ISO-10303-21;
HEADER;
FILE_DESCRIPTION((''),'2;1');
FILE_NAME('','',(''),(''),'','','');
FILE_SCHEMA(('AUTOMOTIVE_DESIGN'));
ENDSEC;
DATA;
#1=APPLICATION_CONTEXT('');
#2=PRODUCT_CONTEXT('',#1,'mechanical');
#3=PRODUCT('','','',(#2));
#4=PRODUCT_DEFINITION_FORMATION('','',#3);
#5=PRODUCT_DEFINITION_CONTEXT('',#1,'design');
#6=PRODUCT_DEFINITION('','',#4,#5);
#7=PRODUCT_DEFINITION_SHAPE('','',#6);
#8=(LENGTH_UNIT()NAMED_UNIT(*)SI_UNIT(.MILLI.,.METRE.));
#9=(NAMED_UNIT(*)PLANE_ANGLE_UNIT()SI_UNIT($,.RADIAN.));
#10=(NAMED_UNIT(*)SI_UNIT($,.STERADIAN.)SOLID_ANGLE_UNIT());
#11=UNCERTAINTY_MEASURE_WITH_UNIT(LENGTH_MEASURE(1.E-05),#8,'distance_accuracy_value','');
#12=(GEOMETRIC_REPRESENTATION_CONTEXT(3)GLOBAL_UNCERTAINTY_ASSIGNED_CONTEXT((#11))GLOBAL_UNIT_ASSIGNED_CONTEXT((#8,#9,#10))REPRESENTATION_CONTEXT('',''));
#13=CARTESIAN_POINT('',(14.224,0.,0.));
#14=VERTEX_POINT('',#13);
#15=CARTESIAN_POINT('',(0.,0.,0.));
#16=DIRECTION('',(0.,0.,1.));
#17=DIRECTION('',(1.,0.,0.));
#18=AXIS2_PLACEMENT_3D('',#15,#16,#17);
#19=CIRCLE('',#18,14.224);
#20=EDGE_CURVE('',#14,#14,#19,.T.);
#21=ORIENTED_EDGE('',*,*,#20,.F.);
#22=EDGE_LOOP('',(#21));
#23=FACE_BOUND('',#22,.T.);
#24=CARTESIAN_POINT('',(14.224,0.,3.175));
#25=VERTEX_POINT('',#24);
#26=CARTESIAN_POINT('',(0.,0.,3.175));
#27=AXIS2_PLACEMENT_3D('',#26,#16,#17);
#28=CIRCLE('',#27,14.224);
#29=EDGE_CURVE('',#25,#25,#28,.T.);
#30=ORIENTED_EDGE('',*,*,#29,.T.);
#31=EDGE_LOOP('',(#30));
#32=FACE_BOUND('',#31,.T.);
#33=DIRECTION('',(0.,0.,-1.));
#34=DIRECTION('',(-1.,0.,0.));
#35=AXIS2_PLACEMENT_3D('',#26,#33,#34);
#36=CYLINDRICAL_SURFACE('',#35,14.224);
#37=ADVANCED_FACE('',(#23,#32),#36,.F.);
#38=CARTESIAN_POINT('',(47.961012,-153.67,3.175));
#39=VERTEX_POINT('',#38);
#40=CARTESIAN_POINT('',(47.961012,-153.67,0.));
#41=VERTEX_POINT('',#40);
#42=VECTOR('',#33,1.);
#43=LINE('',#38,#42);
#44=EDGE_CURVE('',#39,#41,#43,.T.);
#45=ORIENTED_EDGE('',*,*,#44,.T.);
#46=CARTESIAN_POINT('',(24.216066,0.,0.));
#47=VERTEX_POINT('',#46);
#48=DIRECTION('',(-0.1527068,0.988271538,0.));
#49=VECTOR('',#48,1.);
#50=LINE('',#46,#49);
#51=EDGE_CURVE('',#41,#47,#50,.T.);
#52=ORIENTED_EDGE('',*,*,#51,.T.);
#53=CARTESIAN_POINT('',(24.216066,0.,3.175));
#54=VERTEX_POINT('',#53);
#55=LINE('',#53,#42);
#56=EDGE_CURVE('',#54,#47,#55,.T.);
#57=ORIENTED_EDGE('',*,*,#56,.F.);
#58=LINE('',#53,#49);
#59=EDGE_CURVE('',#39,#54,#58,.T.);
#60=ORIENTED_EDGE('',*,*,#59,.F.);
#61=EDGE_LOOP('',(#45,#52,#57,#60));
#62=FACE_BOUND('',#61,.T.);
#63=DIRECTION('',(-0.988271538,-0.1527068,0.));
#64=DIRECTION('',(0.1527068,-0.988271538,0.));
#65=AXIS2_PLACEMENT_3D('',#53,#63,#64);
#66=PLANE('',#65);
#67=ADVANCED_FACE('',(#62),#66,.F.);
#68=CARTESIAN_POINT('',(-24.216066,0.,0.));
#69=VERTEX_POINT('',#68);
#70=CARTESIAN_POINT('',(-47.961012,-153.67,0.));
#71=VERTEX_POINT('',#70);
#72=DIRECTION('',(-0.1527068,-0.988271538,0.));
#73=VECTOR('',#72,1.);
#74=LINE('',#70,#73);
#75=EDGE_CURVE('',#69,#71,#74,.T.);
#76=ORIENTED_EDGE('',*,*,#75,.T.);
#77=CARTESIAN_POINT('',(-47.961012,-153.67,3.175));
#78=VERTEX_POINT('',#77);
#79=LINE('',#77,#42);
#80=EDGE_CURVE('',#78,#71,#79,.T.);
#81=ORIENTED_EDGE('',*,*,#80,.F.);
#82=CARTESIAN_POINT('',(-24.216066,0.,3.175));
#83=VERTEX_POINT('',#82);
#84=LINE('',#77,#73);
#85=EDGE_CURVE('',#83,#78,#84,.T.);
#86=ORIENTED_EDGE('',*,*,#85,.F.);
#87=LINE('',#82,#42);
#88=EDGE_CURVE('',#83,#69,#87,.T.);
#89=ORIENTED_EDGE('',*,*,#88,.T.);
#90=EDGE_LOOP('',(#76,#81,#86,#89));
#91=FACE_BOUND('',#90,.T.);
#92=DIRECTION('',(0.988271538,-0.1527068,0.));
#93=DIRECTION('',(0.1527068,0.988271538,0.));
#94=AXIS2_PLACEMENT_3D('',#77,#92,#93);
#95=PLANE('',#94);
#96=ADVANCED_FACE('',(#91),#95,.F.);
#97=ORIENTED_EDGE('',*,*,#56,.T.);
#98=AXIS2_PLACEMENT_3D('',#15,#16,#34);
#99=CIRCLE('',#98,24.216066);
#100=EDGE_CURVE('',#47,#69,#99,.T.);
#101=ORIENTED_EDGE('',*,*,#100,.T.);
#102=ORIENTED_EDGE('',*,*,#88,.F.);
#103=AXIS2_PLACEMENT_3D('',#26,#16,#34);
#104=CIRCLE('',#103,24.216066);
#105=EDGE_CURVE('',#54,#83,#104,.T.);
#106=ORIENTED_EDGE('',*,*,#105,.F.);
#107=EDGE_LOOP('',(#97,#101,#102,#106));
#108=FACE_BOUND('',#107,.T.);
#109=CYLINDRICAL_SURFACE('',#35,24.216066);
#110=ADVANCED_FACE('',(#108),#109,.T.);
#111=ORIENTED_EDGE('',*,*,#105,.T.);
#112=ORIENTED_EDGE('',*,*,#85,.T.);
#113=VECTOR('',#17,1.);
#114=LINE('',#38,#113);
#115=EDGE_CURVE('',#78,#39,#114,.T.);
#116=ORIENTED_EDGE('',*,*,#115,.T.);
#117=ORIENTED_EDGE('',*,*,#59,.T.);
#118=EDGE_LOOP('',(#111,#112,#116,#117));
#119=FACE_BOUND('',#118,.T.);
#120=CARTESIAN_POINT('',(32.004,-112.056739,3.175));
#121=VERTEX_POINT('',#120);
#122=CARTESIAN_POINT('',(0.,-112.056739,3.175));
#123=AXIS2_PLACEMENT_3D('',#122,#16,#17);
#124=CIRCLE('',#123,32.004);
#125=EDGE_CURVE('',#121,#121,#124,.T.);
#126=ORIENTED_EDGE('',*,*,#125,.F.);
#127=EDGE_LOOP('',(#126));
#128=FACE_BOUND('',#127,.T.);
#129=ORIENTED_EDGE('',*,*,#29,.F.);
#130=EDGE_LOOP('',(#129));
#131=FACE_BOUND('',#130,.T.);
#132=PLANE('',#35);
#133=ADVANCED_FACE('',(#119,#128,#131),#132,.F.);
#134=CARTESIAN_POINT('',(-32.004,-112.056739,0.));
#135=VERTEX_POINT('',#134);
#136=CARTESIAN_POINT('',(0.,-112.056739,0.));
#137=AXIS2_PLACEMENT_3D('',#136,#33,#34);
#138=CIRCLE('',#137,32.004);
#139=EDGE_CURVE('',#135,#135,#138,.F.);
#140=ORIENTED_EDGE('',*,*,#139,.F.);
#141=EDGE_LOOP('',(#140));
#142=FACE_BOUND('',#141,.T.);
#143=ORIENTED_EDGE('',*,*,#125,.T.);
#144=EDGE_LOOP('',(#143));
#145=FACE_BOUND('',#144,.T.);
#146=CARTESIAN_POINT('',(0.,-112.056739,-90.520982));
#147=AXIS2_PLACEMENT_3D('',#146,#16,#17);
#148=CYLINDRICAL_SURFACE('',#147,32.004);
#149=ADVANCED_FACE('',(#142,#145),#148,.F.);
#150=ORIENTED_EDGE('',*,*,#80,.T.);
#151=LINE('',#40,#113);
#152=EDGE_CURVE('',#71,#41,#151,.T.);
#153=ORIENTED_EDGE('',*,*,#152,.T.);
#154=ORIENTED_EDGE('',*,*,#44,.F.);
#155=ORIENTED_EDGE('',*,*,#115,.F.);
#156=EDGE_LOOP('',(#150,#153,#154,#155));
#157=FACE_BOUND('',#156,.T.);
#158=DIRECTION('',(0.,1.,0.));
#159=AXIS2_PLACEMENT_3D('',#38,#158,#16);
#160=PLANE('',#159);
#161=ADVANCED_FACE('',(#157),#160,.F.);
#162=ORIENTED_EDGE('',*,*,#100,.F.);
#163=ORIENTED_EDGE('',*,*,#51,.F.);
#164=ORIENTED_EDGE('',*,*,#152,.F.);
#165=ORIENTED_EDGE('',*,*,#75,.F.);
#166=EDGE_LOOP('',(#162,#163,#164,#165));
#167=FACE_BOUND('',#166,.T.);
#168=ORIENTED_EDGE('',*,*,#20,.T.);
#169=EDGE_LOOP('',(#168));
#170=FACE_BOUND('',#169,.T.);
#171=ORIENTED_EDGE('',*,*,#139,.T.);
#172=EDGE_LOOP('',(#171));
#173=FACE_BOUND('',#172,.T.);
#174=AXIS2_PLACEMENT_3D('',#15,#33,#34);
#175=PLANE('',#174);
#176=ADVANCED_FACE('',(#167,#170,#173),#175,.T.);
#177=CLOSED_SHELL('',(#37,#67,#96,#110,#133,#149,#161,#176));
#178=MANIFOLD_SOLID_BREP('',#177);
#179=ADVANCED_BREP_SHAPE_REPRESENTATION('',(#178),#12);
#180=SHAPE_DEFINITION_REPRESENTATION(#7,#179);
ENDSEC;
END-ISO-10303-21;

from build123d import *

# Parameters (mm, degrees)
SKETCH1_R           = 14.224
BOSS_EXTRUDE1_DEPTH = 3.175
SKETCH2_R           = 32.004
CUT_EXTRUDE1_DEPTH  = 3.175


with BuildPart() as part:
    # Sketch1 → Boss-Extrude1 (new body)
    with BuildSketch(Plane.XY):
        with BuildLine():
            Line((47.961011706, -153.67), (-47.961011706, -153.67))
            Line((-47.961011706, -153.67), (-24.216066116, 0))
            ThreePointArc((-24.216066116, 0), (0, 24.216066116), (24.216066116, 0))
            Line((24.216066116, 0), (47.961011706, -153.67))
        make_face()
        Circle(SKETCH1_R, mode=Mode.SUBTRACT)
    extrude(amount=BOSS_EXTRUDE1_DEPTH)

    # Sketch2 → Cut-Extrude1 (cut)
    with BuildSketch(Plane.XY.offset(3.175)):
        with Locations((0, -112.056738627)):
            Circle(SKETCH2_R)
    extrude(amount=-CUT_EXTRUDE1_DEPTH, mode=Mode.SUBTRACT)


solid = part.part
